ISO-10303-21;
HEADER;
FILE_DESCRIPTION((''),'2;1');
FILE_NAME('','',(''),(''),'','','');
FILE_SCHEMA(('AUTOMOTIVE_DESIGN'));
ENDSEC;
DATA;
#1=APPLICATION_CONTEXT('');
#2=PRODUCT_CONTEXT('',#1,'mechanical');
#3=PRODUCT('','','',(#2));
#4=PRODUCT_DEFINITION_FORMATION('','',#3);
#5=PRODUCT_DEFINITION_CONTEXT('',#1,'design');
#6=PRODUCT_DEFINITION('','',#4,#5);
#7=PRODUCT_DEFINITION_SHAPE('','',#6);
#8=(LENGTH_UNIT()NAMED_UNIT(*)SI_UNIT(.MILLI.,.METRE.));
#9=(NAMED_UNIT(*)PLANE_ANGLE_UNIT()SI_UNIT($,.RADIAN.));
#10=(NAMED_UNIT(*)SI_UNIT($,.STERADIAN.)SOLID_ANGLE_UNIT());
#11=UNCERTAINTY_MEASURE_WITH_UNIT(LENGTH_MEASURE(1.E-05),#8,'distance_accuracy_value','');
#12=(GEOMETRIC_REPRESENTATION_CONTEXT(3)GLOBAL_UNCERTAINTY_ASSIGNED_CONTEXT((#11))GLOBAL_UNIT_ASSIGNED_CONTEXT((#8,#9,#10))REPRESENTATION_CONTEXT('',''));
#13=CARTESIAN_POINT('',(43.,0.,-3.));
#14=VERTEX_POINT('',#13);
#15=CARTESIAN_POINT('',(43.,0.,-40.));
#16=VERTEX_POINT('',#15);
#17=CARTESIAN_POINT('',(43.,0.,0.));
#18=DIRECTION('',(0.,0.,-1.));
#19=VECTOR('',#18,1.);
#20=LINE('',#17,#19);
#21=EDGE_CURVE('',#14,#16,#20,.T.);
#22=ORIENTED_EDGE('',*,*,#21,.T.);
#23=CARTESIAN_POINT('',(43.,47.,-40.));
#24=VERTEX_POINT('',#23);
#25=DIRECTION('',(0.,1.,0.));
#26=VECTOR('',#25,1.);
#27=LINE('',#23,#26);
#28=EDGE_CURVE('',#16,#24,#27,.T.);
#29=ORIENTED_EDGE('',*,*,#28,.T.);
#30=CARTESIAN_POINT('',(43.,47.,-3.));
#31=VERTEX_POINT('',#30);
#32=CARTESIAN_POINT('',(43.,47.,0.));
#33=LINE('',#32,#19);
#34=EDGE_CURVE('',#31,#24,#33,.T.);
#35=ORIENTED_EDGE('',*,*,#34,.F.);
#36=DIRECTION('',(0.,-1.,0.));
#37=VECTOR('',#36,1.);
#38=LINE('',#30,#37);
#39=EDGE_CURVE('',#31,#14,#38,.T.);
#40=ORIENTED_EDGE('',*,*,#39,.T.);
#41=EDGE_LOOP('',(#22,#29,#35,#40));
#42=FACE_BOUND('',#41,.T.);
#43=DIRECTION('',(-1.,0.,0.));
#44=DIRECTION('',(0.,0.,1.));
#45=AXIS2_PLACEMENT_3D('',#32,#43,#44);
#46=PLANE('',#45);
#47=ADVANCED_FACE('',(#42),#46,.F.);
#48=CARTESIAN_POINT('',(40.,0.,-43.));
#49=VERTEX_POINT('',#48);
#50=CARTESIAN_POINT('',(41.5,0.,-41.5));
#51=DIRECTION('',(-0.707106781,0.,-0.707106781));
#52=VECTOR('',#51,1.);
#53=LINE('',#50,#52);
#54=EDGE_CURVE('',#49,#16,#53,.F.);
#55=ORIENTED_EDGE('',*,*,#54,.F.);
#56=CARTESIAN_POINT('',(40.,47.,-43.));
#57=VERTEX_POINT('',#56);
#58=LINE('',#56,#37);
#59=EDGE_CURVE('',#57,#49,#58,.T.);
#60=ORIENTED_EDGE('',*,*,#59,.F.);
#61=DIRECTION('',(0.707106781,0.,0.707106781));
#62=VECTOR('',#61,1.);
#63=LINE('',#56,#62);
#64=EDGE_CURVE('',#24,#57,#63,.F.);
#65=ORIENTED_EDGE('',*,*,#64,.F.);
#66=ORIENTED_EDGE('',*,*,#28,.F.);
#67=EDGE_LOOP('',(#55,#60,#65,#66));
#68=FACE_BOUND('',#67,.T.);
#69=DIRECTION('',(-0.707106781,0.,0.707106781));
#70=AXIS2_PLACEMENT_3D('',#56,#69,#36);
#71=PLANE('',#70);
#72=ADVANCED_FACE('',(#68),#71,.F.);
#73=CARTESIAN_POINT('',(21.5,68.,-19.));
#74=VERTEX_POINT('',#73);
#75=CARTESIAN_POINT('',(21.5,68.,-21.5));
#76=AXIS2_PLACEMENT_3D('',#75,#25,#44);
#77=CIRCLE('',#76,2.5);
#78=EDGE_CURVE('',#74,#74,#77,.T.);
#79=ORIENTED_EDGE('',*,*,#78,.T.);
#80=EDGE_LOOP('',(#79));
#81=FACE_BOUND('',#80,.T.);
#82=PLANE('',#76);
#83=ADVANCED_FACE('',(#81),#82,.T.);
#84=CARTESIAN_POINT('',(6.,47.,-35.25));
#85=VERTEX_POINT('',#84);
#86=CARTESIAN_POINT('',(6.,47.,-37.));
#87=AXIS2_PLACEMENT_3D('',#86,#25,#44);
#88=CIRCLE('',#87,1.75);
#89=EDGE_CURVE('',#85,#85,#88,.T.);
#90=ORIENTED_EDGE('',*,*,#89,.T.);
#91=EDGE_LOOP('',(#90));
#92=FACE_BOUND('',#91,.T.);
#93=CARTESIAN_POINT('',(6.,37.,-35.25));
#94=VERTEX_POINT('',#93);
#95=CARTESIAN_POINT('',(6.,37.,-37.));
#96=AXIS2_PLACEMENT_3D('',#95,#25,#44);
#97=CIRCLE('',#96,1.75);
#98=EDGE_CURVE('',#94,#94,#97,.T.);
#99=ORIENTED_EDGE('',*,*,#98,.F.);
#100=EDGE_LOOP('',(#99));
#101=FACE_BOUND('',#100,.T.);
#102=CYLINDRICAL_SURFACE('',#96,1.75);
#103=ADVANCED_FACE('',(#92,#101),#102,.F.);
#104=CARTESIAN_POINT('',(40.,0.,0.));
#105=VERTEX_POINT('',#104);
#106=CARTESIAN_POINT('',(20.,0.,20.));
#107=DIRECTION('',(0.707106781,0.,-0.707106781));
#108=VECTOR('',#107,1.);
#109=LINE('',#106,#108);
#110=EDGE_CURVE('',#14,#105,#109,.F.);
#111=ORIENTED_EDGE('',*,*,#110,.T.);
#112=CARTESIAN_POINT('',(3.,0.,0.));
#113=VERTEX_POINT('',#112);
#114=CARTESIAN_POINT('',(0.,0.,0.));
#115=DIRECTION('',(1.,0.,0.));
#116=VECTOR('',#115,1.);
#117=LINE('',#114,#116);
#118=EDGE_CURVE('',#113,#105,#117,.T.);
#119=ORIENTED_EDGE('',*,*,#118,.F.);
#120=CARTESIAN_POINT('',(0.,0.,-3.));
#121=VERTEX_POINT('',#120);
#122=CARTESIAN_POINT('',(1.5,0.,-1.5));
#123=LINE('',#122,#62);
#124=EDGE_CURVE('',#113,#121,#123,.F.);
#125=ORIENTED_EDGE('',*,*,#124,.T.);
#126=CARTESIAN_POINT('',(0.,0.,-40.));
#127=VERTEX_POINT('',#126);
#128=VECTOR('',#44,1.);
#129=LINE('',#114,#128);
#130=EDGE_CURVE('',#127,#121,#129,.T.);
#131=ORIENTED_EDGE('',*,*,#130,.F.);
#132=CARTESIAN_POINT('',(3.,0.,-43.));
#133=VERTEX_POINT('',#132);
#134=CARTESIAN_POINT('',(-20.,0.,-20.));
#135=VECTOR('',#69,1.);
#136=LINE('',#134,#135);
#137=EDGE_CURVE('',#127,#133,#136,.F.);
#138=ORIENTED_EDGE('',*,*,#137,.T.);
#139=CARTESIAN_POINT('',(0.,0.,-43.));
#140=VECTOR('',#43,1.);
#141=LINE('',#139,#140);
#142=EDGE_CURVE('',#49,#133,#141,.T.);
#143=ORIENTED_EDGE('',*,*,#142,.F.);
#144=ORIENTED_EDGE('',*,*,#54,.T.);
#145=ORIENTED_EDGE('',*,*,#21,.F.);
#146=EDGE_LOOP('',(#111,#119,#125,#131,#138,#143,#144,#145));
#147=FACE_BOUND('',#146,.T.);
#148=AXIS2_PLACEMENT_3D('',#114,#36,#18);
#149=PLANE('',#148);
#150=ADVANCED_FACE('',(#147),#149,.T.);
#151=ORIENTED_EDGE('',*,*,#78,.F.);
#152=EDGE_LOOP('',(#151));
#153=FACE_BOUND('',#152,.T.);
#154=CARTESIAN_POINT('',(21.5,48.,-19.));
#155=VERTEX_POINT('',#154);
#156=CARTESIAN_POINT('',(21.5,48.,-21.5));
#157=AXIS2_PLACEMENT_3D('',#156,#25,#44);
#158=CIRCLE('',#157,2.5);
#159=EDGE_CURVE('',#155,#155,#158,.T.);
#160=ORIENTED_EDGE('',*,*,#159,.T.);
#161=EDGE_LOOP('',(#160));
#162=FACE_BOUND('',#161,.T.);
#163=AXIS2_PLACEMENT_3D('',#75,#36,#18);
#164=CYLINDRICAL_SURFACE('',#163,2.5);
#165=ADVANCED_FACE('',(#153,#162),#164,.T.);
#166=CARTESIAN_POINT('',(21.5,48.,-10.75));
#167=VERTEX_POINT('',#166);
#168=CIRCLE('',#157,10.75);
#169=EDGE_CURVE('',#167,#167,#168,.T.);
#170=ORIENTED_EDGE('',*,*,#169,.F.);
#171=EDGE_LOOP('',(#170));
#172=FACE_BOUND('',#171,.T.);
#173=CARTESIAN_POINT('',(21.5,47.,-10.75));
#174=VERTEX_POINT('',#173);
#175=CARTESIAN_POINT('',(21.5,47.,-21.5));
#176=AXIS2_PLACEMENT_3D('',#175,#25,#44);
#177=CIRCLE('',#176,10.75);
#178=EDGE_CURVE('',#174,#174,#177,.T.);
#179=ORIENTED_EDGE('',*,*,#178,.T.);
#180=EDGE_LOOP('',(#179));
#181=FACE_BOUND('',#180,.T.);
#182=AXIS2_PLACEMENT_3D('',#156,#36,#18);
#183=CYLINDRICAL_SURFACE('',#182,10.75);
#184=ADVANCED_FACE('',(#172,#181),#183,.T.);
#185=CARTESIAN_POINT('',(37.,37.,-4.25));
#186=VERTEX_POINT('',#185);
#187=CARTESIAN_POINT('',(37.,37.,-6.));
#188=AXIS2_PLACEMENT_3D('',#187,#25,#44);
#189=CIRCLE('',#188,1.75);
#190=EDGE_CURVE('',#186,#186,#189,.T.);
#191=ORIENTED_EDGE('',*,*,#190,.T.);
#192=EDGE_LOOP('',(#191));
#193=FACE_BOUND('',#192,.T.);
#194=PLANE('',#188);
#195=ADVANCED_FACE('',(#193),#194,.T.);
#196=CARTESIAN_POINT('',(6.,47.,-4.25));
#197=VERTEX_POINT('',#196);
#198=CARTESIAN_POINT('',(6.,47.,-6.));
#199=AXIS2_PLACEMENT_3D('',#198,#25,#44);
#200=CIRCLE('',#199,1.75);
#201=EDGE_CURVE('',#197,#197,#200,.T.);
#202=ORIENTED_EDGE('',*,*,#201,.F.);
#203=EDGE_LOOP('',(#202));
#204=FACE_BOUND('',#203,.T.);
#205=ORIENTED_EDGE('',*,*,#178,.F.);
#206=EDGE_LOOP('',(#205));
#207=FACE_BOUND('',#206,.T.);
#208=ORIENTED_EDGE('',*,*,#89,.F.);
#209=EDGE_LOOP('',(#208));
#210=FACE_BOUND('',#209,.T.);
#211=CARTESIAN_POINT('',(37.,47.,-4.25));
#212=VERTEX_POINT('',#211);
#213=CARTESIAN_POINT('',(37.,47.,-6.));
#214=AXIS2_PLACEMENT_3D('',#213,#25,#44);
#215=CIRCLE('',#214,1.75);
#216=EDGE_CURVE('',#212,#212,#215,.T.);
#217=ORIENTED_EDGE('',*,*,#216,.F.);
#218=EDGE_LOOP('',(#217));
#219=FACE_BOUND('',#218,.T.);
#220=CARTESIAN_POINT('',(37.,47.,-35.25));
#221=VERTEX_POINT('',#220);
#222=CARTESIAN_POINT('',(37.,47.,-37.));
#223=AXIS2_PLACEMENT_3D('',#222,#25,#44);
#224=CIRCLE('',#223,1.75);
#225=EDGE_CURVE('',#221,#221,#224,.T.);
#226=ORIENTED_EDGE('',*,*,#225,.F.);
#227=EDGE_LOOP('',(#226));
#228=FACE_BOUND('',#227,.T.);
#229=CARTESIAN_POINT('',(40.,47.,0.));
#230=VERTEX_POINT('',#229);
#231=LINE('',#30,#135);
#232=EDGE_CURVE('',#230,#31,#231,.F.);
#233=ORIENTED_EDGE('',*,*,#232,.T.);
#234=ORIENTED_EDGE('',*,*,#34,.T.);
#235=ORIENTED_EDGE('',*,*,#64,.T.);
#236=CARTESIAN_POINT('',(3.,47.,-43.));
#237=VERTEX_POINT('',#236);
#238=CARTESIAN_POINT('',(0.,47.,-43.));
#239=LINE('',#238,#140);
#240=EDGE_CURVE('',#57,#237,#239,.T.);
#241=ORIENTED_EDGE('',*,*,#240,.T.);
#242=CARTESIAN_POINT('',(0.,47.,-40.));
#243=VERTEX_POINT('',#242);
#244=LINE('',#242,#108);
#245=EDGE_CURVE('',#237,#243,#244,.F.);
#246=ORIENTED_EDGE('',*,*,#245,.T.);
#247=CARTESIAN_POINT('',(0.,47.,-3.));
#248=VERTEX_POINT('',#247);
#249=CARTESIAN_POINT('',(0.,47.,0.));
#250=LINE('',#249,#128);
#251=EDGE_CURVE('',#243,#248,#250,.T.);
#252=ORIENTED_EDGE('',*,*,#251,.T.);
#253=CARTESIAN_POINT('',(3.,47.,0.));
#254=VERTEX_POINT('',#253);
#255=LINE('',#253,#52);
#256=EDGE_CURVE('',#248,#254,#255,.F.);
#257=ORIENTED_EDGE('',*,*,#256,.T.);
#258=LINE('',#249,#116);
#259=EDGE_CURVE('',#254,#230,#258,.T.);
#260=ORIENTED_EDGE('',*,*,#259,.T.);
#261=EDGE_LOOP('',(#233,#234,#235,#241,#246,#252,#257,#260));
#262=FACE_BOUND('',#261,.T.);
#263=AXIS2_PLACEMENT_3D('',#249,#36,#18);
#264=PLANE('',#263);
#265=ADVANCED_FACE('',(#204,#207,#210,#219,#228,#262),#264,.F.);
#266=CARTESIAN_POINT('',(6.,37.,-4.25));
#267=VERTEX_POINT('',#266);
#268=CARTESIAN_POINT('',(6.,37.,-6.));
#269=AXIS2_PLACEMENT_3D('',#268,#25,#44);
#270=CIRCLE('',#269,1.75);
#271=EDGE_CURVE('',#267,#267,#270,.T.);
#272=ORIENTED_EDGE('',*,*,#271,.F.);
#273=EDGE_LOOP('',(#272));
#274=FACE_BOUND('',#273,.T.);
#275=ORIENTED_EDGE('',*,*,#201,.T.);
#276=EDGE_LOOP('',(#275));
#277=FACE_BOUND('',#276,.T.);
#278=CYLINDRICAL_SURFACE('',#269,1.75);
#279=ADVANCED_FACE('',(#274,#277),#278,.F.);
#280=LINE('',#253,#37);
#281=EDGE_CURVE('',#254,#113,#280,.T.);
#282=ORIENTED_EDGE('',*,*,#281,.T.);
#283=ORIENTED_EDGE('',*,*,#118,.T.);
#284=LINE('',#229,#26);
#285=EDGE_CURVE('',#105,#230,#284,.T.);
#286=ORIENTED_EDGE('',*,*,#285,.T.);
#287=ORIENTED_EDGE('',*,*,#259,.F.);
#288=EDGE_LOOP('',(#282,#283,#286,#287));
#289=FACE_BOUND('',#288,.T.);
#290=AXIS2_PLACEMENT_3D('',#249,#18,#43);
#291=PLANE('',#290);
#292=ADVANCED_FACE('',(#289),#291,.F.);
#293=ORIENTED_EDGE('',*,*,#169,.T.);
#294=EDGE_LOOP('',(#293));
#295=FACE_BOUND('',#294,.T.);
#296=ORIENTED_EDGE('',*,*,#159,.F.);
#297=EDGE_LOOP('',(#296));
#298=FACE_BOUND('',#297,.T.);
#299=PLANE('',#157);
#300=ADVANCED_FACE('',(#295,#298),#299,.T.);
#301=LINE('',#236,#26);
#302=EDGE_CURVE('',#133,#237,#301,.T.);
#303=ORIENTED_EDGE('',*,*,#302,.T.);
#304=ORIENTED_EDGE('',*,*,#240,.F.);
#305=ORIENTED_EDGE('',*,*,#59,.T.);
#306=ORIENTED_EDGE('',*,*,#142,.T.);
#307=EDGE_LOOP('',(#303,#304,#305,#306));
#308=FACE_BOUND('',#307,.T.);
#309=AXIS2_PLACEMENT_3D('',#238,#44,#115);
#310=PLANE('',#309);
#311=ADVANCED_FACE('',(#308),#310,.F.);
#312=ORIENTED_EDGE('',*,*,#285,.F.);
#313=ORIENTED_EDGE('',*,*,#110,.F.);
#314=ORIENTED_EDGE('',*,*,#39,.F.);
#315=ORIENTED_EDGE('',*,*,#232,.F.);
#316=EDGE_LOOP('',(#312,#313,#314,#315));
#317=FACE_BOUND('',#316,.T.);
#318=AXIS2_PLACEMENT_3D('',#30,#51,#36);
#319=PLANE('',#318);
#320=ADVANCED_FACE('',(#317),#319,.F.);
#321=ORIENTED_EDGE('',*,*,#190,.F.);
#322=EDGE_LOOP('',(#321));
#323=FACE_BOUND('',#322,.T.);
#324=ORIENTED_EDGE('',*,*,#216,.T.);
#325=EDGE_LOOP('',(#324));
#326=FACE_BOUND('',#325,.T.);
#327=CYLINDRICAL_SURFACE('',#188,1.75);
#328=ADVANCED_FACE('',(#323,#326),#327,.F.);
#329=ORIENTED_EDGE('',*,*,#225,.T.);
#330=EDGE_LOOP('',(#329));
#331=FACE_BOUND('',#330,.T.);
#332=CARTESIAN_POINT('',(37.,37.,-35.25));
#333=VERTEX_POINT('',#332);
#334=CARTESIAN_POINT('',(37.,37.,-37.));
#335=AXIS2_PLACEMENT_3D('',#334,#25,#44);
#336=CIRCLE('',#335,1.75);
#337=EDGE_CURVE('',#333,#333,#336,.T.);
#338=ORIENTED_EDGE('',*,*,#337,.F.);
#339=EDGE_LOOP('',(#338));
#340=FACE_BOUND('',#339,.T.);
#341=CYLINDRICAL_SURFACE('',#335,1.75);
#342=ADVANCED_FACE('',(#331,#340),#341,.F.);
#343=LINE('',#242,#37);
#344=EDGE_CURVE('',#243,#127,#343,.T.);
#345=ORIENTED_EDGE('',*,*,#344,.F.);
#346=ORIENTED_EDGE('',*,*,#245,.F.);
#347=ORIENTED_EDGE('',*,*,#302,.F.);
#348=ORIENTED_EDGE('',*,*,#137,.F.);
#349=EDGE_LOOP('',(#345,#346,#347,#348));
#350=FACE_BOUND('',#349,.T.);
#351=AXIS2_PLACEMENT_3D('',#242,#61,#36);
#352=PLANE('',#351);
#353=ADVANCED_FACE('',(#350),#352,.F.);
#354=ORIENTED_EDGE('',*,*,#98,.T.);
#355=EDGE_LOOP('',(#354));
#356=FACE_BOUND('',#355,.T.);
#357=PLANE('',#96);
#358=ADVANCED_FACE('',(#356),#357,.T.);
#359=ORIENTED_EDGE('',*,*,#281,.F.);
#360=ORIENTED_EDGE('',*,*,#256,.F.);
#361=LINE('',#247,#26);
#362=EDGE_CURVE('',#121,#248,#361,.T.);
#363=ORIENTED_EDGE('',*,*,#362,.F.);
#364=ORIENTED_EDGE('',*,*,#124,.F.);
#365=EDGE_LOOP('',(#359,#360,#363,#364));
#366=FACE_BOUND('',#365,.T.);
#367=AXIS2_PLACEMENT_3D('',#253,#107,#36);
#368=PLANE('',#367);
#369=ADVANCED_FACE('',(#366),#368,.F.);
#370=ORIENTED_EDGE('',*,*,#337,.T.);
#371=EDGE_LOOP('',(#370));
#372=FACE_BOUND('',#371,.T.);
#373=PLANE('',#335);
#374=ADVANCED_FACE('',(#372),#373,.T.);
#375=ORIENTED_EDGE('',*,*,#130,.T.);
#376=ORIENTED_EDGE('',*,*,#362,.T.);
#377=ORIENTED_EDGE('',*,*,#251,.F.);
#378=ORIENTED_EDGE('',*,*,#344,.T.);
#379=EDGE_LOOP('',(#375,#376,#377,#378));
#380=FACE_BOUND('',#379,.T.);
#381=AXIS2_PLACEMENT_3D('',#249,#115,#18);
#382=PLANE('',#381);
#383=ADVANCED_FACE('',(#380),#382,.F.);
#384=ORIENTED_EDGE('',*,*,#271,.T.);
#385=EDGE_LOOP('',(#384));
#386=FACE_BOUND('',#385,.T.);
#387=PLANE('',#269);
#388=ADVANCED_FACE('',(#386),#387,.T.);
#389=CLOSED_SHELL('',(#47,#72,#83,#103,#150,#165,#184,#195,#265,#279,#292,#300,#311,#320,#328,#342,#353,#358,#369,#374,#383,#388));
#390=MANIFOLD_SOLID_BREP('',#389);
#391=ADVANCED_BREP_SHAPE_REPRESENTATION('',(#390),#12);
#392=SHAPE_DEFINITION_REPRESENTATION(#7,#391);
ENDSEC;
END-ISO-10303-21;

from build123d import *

# Parameters (mm, degrees)
SKETCH1_W           = 43
SKETCH1_H           = 43
BOSS_EXTRUDE1_DEPTH = 47
SKETCH2_R           = 10.75
BOSS_EXTRUDE2_DEPTH = 1
SKETCH3_R           = 2.5
BOSS_EXTRUDE3_DEPTH = 20
CHAMFER1_SIZE       = 3
SKETCH4_R           = 1.75
CUT_EXTRUDE2_DEPTH  = 10


with BuildPart() as part:
    # Sketch1 → Boss-Extrude1 (new body)
    with BuildSketch(Plane(origin=(0, 0, 0), x_dir=(1, 0, 0), z_dir=(0, 1, 0))):
        with Locations((21.5, 21.5)):
            Rectangle(SKETCH1_W, SKETCH1_H)
    extrude(amount=BOSS_EXTRUDE1_DEPTH)

    # Sketch2 → Boss-Extrude2 (add)
    with BuildSketch(Plane(origin=(0, 47, 0), x_dir=(1, 0, 0), z_dir=(0, 1, 0))):
        with Locations((21.5, 21.5)):
            Circle(SKETCH2_R)
    extrude(amount=BOSS_EXTRUDE2_DEPTH)

    # Sketch3 → Boss-Extrude3 (add)
    with BuildSketch(Plane(origin=(0, 48, 0), x_dir=(1, 0, 0), z_dir=(0, 1, 0))):
        with Locations((21.5, 21.5)):
            Circle(SKETCH3_R)
    extrude(amount=BOSS_EXTRUDE3_DEPTH)

    # Chamfer1
    chamfer1_edges = [part.edges().sort_by_distance(p)[0] for p in [
        (0, 23.5, -43),
        (43, 23.5, -43),
        (43, 23.5, 0),
        (0, 23.5, 0),
    ]]
    chamfer(chamfer1_edges, length=CHAMFER1_SIZE)

    # Sketch4 → Cut-Extrude2 (cut)
    with BuildSketch(Plane(origin=(0, 47, 0), x_dir=(1, 0, 0), z_dir=(0, 1, 0))):
        with Locations((6, 37)):
            Circle(SKETCH4_R)
        with Locations((6, 6)):
            Circle(SKETCH4_R)
        with Locations((37, 6)):
            Circle(SKETCH4_R)
        with Locations((37, 37)):
            Circle(SKETCH4_R)
    extrude(amount=-CUT_EXTRUDE2_DEPTH, mode=Mode.SUBTRACT)


solid = part.part
